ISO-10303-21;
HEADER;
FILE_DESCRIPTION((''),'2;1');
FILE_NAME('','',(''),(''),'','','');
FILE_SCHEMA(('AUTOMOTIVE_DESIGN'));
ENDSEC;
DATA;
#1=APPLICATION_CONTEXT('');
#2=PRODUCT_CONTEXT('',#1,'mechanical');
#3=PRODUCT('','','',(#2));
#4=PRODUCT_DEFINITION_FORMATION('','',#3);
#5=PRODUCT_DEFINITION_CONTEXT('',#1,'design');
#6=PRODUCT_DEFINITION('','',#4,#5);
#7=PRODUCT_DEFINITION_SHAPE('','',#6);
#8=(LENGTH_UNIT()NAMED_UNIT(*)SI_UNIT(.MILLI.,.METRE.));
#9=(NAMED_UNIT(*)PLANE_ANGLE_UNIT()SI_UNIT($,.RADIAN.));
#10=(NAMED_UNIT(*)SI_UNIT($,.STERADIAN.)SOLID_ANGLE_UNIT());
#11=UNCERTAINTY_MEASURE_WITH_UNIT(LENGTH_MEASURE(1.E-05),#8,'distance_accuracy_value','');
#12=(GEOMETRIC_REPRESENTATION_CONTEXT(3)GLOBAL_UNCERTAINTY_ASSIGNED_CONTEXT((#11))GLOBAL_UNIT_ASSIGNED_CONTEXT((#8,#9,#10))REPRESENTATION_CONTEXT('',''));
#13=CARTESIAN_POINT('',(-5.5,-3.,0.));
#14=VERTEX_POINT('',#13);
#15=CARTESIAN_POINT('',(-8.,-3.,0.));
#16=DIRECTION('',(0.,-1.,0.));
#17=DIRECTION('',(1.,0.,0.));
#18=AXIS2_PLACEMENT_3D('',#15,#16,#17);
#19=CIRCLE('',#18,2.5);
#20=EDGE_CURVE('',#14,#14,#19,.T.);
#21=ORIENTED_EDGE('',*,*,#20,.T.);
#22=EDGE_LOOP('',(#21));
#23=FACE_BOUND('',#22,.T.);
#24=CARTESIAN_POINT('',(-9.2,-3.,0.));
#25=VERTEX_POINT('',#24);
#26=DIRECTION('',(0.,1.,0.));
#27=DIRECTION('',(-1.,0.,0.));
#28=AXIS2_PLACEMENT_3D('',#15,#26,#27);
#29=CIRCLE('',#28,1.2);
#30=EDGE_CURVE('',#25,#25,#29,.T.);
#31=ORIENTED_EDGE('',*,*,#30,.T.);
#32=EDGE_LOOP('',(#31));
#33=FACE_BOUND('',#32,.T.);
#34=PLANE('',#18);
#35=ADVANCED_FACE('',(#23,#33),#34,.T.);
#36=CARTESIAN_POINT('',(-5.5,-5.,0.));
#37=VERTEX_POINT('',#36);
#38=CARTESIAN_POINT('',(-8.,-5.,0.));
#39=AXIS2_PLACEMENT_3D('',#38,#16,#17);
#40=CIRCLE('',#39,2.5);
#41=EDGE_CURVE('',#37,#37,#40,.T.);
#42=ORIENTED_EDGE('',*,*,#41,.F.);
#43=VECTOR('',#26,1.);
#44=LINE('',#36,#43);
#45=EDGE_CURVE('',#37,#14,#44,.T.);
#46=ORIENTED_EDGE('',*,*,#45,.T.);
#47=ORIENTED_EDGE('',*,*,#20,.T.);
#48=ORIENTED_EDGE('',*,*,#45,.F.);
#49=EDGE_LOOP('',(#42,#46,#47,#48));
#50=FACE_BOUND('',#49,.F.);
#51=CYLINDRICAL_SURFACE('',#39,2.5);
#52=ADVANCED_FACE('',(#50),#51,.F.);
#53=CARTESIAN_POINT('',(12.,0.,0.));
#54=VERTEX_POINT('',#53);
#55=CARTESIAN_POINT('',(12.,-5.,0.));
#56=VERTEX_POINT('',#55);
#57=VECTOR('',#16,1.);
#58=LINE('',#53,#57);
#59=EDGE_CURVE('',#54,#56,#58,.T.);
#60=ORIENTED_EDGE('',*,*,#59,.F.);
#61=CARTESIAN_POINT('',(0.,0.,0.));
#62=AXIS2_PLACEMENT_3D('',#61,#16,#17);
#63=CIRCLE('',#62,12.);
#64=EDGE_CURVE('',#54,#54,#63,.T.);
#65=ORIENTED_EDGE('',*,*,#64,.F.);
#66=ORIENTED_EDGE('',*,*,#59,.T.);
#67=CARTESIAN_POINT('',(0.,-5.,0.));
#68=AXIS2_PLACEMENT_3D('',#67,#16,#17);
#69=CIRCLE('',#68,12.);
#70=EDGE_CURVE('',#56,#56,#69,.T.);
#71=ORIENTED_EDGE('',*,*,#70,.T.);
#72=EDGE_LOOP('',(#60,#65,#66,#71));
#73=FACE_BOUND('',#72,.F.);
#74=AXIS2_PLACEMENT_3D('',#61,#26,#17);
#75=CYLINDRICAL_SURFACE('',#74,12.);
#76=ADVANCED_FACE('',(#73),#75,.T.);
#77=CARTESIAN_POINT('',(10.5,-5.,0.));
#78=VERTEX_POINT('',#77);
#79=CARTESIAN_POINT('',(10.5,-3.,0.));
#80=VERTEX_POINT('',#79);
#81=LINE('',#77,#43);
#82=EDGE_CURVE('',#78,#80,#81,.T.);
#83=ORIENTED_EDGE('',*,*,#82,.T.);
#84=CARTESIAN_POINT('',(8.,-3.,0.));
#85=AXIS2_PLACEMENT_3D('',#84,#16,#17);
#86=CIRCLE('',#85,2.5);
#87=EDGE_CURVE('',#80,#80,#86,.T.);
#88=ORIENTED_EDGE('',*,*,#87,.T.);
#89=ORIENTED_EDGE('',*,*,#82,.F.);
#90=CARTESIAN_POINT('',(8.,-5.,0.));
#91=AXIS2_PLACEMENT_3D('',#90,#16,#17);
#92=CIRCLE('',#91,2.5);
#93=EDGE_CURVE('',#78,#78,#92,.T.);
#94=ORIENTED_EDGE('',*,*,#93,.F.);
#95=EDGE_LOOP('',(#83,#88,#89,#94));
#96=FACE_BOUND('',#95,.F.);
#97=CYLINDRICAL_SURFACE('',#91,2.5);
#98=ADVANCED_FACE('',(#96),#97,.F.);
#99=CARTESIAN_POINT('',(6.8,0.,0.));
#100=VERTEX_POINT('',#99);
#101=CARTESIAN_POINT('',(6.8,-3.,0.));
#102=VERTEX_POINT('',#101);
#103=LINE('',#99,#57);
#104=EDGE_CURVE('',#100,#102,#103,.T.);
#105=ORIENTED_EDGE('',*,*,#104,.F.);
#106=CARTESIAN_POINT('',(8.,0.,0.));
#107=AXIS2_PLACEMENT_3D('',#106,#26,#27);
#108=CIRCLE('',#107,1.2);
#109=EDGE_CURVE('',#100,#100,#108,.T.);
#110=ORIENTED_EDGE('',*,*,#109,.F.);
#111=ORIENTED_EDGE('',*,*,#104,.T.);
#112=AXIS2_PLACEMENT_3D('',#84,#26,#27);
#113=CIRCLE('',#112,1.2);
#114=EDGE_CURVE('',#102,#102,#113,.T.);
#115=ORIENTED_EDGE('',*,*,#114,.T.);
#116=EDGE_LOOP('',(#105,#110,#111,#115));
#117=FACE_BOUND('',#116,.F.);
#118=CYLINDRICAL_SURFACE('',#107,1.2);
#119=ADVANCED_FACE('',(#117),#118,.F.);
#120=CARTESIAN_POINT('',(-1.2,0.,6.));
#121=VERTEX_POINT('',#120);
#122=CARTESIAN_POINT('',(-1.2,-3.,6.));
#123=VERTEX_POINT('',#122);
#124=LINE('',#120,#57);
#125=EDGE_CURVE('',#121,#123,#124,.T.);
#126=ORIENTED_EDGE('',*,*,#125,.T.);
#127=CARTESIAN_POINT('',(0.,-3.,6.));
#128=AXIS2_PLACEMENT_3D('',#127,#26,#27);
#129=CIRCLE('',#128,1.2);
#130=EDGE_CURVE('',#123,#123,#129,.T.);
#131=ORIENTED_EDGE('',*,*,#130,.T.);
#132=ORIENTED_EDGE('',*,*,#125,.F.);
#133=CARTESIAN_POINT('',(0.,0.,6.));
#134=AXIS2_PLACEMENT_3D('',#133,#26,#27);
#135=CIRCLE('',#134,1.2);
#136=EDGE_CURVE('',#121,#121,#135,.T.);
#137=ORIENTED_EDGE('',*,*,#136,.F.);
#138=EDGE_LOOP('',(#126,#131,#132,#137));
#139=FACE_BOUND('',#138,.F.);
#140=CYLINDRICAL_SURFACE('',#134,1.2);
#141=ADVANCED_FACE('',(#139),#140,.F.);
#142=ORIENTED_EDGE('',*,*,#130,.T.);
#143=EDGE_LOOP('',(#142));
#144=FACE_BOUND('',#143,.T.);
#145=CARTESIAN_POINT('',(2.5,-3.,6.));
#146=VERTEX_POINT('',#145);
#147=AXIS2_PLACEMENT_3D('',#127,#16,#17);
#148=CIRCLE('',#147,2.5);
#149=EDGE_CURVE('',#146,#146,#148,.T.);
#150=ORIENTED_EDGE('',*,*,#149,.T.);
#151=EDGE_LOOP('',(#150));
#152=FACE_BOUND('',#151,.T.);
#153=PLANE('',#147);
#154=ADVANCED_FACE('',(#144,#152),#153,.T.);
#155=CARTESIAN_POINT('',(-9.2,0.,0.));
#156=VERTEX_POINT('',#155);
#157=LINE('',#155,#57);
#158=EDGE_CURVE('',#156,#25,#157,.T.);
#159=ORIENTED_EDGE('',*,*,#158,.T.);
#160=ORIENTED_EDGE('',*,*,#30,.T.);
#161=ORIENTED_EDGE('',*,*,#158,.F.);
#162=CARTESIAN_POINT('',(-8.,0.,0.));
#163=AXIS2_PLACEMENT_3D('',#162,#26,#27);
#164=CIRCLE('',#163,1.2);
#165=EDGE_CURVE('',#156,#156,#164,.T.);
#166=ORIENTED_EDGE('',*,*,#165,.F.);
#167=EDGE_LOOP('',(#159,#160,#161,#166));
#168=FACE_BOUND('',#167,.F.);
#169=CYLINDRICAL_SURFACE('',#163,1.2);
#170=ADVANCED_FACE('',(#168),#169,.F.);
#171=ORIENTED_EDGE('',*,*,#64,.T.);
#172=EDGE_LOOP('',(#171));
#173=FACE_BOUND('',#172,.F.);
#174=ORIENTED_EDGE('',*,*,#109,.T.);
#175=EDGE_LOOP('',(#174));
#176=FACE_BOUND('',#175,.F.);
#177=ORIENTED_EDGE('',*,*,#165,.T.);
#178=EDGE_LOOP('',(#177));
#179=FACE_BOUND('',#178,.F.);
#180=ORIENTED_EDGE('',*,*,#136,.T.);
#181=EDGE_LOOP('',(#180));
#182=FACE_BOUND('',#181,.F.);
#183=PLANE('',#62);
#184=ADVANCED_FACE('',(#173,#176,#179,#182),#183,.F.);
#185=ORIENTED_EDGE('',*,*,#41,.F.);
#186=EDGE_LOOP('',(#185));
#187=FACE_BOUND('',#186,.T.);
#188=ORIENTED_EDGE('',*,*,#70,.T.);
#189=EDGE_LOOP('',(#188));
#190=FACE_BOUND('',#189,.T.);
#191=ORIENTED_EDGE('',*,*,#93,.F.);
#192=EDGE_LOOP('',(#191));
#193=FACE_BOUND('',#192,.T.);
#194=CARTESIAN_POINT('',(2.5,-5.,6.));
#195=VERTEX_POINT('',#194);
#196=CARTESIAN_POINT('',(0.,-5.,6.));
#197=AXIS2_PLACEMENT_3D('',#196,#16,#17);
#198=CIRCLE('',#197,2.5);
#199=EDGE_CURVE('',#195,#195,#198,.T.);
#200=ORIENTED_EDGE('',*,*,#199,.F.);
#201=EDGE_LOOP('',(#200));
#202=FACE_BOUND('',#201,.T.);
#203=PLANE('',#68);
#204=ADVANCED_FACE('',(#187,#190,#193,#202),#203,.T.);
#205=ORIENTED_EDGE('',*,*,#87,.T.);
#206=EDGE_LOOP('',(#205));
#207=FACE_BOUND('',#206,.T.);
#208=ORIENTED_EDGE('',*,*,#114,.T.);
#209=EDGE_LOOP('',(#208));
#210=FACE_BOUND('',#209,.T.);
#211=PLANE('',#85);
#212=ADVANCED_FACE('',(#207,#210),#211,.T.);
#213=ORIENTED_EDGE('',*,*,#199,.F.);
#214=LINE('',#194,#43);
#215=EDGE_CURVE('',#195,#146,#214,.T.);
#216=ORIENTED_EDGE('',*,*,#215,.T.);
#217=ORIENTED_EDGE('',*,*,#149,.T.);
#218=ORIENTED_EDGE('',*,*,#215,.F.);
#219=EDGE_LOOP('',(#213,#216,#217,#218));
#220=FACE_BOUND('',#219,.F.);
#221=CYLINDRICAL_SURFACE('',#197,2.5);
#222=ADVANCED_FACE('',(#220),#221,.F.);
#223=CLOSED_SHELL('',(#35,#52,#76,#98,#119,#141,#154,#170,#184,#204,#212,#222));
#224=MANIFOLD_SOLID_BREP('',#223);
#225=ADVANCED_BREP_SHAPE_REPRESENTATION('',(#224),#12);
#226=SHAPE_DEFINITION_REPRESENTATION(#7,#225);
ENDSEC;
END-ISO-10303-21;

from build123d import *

# Parameters (mm, degrees)
F0_R     = 12
F1_DEPTH = 5
F2_R     = 1.2
F3_DEPTH = 5
F4_R     = 2.5
F5_DEPTH = 2


with BuildPart() as f1:
    # F0 (on Front) → F1 (new body)
    with BuildSketch(Plane.XZ):
        Circle(F0_R)
    extrude(amount=F1_DEPTH)

    # F2 (on face) → F3 (cut)
    with BuildSketch(Plane(origin=(0, 0, 0), x_dir=(-1, 0, 0), z_dir=(0, 1, 0))):
        with Locations((8, 0)):
            Circle(F2_R)
        with Locations((-8, 0)):
            Circle(F2_R)
        with Locations((0, 6)):
            Circle(F2_R)
    extrude(amount=-F3_DEPTH, mode=Mode.SUBTRACT)

    # F4 (on face) → F5 (cut)
    with BuildSketch(Plane.XZ.offset(5)):
        with Locations((0, 6)):
            Circle(F4_R)
        with Locations((8, 0)):
            Circle(F4_R)
        with Locations((-8, 0)):
            Circle(F4_R)
    extrude(amount=-F5_DEPTH, mode=Mode.SUBTRACT)


solid = f1.part
